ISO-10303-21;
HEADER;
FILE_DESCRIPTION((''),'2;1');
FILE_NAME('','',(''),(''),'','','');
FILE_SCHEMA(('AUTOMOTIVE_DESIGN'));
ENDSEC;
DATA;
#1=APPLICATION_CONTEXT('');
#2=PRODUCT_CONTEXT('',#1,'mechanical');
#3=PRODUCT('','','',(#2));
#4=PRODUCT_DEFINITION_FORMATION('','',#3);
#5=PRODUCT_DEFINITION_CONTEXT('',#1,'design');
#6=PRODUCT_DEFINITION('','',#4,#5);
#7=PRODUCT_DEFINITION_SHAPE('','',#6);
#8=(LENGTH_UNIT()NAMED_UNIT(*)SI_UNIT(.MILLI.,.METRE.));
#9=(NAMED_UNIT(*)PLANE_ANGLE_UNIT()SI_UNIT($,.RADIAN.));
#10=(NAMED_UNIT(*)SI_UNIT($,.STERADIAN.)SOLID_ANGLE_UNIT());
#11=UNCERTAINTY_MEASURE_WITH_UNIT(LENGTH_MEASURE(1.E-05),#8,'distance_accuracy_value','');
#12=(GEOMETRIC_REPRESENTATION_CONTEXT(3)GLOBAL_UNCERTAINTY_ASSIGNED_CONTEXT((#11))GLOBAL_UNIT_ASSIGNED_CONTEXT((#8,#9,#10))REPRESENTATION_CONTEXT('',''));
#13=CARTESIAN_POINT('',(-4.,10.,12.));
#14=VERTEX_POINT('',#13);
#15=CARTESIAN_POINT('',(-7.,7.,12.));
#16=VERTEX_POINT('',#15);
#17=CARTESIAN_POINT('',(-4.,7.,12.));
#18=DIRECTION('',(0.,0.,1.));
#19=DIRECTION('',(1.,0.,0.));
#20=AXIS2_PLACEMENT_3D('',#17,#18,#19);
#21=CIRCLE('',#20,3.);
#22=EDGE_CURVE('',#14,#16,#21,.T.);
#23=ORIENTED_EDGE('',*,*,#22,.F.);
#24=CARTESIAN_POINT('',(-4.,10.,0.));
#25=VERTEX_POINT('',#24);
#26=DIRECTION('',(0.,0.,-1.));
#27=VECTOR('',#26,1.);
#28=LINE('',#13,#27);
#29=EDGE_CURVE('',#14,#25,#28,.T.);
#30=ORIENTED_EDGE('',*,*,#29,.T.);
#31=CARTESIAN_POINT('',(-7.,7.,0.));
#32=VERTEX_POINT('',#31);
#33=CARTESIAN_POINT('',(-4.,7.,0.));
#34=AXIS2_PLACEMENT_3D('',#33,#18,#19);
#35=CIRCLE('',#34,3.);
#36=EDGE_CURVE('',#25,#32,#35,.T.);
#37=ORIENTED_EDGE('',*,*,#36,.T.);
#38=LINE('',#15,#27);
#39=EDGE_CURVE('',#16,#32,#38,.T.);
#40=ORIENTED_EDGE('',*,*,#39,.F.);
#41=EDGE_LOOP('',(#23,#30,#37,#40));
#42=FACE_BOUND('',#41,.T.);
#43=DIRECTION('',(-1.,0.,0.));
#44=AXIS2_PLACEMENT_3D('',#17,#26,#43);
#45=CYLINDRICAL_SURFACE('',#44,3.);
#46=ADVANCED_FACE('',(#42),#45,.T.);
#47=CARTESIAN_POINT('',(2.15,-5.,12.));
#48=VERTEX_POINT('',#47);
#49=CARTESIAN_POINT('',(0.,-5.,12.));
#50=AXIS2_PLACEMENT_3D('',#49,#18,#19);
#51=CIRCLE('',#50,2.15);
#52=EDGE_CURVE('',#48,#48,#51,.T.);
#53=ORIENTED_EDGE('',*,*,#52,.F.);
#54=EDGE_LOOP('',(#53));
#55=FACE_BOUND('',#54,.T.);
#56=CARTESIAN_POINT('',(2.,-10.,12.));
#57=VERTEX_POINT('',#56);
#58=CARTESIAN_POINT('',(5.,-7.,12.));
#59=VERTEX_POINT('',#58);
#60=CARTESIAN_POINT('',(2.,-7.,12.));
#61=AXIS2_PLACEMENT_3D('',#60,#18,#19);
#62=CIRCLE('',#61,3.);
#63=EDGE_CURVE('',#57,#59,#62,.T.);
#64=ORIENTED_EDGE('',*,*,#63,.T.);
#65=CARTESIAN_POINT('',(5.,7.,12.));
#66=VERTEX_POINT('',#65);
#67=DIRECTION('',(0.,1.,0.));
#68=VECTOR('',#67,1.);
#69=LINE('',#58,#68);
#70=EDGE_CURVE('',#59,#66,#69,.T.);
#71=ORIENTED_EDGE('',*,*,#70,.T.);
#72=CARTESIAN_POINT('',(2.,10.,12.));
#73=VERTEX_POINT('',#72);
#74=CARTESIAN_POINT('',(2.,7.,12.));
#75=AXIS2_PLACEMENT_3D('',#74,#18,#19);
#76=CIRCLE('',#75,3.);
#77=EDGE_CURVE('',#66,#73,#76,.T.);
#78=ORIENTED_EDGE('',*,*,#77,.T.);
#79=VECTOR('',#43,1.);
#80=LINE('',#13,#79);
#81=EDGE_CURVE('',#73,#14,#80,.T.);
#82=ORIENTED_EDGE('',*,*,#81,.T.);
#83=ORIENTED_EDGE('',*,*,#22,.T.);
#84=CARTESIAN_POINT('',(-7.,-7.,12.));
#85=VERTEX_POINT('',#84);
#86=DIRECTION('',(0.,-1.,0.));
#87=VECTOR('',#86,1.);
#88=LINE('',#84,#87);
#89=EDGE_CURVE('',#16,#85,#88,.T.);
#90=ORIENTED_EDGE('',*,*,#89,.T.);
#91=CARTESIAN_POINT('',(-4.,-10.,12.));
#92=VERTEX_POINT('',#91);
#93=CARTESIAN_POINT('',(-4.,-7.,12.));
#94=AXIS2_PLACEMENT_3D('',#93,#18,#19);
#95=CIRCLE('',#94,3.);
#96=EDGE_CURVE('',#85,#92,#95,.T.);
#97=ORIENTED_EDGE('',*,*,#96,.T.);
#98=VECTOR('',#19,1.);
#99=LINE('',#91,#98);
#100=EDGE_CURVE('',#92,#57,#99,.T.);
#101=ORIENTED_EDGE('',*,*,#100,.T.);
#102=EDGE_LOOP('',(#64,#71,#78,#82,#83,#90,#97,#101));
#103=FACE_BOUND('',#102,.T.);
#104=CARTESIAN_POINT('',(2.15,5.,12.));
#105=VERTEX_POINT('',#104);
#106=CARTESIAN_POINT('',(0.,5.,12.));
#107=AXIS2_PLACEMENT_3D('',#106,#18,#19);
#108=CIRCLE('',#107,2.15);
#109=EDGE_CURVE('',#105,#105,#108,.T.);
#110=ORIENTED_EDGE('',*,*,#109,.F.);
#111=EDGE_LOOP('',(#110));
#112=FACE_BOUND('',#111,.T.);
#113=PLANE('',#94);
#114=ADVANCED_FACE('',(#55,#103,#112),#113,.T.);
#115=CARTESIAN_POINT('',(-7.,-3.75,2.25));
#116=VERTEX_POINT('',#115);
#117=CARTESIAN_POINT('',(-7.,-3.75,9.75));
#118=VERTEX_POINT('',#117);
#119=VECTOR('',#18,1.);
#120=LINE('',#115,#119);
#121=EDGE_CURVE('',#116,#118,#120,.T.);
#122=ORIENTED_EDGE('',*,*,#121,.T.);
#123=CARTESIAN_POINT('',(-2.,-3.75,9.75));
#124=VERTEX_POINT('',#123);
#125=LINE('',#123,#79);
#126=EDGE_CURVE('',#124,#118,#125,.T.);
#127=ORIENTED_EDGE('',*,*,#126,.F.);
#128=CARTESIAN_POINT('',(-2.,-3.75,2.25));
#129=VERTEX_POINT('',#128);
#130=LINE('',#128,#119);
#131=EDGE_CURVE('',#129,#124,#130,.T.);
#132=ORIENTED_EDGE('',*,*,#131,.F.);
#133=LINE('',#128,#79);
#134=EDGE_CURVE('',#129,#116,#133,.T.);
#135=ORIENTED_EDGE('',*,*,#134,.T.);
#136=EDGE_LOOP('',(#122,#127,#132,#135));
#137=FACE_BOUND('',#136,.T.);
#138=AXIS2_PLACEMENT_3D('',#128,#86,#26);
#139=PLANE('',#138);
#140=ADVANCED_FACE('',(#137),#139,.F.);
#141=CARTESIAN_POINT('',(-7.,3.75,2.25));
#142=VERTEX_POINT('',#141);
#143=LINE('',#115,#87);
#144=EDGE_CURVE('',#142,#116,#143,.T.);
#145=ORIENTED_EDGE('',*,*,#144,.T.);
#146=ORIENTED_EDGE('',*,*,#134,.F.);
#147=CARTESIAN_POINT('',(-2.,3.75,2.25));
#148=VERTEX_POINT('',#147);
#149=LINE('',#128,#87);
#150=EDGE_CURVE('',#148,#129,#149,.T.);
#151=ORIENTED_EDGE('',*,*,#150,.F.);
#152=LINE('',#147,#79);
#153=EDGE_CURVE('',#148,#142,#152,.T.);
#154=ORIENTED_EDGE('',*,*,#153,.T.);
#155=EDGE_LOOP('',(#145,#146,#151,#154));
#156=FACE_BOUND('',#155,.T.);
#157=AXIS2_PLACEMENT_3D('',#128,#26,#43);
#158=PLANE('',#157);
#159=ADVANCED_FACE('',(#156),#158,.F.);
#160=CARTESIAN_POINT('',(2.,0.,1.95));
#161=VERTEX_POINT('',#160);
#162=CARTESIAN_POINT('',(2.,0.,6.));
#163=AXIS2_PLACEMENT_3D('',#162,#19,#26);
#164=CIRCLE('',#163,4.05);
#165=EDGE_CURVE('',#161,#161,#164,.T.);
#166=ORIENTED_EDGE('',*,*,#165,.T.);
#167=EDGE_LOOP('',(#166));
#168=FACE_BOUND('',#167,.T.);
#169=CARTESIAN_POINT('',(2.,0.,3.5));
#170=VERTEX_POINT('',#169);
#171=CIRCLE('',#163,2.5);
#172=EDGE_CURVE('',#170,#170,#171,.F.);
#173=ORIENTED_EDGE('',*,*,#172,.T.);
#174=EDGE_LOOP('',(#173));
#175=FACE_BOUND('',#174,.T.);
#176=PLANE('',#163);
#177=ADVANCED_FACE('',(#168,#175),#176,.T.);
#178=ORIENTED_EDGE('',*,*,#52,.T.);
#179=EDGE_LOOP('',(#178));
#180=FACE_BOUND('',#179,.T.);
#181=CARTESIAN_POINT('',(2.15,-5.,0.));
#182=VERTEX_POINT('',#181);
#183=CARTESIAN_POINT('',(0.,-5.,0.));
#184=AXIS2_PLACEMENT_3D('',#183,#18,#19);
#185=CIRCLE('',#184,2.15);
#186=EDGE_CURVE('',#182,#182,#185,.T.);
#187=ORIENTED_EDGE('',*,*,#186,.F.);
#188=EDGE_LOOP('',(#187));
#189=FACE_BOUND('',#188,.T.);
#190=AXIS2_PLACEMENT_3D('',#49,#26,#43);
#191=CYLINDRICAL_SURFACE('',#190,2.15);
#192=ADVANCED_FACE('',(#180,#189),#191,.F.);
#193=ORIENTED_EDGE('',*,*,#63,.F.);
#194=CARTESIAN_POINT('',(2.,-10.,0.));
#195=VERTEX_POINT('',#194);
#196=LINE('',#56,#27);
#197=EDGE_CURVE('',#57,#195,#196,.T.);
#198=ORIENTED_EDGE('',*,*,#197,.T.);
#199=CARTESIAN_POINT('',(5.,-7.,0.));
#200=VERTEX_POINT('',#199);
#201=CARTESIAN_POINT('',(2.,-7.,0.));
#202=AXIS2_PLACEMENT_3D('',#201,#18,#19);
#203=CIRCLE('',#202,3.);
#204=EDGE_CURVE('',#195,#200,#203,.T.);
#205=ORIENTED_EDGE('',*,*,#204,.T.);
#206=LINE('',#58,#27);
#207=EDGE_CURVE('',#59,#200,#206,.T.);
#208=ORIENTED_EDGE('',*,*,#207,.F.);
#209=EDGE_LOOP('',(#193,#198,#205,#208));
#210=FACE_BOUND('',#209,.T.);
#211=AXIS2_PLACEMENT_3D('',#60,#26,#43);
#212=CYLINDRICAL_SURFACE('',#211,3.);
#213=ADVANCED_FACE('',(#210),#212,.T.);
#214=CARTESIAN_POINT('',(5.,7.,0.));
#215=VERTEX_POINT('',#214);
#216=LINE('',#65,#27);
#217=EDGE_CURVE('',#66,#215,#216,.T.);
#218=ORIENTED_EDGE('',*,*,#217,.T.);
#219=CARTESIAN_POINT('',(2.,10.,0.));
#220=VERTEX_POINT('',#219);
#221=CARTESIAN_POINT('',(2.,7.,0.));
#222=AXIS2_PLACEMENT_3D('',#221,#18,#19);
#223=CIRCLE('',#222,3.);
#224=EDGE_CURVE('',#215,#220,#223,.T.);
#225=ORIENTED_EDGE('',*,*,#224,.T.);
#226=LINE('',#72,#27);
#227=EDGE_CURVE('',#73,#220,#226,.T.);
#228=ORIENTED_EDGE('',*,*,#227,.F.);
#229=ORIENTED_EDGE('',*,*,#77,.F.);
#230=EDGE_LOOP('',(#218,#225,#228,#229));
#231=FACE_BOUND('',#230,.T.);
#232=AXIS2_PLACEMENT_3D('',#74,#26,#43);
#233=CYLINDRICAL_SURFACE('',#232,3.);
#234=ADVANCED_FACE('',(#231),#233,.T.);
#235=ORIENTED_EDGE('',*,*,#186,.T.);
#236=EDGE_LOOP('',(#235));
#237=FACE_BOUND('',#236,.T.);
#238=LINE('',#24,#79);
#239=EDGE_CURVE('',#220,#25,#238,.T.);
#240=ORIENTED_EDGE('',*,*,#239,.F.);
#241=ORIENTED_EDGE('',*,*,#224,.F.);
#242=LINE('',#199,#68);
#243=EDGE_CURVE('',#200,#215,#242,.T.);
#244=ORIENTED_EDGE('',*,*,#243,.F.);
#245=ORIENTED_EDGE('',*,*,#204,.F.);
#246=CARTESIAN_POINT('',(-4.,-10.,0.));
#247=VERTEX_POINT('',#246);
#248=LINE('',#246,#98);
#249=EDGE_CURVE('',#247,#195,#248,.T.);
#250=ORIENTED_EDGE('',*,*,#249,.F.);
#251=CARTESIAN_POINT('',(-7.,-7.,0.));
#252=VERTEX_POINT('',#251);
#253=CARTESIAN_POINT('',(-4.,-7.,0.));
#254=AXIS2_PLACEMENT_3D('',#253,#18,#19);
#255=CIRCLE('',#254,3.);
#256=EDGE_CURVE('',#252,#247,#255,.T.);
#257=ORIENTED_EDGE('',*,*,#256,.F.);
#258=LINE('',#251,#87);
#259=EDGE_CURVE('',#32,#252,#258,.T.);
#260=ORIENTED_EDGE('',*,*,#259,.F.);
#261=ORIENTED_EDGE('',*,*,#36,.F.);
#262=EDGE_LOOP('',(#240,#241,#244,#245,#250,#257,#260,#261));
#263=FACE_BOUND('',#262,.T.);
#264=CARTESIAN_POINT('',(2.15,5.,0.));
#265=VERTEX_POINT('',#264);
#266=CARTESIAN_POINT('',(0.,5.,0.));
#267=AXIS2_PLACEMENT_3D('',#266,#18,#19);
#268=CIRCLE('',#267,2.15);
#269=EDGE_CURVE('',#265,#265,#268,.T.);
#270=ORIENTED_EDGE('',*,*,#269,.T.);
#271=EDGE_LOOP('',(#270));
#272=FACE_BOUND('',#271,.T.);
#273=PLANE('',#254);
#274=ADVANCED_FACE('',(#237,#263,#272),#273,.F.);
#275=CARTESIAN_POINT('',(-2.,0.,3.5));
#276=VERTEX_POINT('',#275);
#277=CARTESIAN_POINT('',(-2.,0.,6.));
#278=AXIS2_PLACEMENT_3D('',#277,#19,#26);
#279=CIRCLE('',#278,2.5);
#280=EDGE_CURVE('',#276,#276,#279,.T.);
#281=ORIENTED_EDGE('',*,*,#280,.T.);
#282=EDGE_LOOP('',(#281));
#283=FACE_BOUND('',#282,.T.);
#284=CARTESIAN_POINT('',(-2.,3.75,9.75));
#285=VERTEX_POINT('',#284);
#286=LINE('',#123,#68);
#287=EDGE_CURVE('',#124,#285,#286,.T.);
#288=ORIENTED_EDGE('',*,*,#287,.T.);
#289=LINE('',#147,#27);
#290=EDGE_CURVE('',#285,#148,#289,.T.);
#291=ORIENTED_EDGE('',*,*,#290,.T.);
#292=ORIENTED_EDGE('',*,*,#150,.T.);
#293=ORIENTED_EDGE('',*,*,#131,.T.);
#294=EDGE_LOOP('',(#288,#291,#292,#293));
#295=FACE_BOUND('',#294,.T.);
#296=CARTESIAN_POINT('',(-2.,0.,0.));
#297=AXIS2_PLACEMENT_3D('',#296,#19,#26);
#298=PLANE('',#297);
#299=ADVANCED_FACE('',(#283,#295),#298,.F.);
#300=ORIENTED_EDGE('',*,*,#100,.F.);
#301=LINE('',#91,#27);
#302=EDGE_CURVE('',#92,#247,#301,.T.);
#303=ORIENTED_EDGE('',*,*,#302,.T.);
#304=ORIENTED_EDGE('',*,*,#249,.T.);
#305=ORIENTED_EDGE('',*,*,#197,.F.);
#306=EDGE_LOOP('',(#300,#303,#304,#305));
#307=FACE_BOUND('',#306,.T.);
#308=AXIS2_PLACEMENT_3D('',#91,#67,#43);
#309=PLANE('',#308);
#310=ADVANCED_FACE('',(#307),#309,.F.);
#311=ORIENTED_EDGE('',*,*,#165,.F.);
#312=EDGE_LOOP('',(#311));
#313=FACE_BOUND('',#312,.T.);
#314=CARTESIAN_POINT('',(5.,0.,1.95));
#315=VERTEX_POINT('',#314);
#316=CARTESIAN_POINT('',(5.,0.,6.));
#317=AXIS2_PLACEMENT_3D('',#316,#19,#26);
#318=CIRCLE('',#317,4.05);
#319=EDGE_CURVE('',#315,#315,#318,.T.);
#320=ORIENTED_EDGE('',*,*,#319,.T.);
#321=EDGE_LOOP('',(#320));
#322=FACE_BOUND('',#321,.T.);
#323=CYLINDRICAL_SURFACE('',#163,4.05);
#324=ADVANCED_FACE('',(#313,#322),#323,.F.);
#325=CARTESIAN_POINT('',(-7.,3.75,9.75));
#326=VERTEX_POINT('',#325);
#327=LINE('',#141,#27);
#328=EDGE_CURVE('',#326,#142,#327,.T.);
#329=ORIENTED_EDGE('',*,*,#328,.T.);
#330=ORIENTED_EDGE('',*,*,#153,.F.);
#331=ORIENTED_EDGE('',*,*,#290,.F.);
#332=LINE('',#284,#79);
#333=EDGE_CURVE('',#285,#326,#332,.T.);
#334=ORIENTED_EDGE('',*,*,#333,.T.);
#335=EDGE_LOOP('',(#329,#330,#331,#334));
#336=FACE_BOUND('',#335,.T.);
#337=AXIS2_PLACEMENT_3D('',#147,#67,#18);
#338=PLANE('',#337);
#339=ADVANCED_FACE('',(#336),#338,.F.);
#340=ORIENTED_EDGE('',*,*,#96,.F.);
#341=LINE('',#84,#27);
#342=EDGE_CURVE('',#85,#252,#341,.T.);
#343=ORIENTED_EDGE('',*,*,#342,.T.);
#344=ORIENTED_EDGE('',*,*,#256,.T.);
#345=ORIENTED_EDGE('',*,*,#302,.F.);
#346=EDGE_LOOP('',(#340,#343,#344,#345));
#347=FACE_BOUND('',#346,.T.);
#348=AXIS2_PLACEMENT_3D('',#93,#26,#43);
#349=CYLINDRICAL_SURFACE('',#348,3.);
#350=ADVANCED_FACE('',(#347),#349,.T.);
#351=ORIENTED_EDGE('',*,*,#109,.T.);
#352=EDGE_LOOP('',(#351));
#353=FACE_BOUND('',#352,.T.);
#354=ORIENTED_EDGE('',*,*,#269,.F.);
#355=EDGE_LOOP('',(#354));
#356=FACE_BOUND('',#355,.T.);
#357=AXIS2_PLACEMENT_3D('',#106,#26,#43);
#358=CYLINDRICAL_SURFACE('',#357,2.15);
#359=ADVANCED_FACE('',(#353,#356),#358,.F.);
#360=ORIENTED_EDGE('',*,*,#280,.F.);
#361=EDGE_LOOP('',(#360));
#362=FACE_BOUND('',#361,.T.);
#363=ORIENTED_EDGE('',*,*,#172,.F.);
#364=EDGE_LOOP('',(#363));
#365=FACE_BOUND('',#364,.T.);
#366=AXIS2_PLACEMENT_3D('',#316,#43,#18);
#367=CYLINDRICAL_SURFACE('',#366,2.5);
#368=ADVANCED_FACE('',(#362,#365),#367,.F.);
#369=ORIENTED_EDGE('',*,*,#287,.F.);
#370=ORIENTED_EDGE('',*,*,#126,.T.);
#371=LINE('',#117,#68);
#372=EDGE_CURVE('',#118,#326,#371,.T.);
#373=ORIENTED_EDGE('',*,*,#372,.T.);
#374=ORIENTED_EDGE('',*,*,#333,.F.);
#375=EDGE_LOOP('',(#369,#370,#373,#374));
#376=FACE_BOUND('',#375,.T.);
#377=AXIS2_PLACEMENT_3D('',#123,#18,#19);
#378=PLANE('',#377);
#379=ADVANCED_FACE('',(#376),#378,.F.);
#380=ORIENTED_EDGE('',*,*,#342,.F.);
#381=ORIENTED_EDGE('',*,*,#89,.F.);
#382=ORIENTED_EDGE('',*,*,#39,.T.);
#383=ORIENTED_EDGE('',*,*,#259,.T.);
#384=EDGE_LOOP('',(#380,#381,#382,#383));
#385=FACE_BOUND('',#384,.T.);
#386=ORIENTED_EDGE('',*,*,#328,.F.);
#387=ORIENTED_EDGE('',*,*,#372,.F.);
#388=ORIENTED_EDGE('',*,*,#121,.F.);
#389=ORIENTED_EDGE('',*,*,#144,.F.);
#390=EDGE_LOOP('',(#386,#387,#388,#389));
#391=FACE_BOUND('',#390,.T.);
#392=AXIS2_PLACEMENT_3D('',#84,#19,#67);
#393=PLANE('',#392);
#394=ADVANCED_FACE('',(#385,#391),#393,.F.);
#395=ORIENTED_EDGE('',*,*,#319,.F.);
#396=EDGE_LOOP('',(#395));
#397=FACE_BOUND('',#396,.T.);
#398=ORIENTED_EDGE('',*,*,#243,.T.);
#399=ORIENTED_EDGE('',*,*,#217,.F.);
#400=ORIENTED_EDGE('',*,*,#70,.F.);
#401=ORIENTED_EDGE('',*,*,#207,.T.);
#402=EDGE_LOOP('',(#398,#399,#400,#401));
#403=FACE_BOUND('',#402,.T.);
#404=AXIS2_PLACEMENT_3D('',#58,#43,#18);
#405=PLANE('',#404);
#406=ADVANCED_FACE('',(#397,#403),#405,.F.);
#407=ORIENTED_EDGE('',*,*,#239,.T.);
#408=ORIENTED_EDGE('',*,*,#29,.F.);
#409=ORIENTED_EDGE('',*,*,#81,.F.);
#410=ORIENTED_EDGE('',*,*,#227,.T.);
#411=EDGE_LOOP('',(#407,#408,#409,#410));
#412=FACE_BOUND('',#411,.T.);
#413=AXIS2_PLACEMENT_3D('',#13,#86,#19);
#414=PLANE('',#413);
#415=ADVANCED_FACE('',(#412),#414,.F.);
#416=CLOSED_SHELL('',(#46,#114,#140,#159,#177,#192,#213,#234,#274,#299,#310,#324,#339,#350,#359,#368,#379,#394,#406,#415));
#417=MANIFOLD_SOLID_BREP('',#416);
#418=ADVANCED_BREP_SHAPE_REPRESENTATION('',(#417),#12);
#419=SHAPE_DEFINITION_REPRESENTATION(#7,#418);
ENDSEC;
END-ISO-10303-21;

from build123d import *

# Parameters (mm, degrees)
SKETCH1_R           = 2.15
BOSS_EXTRUDE1_DEPTH = 12
SKETCH2_W           = 7.5
SKETCH2_H           = 7.5
SKETCH2_R           = 2.5
CUT_EXTRUDE1_DEPTH  = 5
SKETCH2_2_R         = 2.5
CUT_EXTRUDE2_DEPTH  = 13
SKETCH3_R           = 4.05
CUT_EXTRUDE3_DEPTH  = 3


with BuildPart() as part:
    # Sketch1 → Boss-Extrude1 (new body)
    with BuildSketch(Plane.XY):
        with BuildLine():
            Line((-4, -10), (2, -10))
            ThreePointArc((2, -10), (4.121320344, -9.121320344), (5, -7))
            Line((5, -7), (5, 7))
            ThreePointArc((5, 7), (4.121320344, 9.121320344), (2, 10))
            Line((2, 10), (-4, 10))
            ThreePointArc((-4, 10), (-6.121320344, 9.121320344), (-7, 7))
            Line((-7, 7), (-7, -7))
            ThreePointArc((-7, -7), (-6.121320344, -9.121320344), (-4, -10))
        make_face()
        with Locations((0, 5)):
            Circle(SKETCH1_R, mode=Mode.SUBTRACT)
        with Locations((0, -5)):
            Circle(SKETCH1_R, mode=Mode.SUBTRACT)
    extrude(amount=BOSS_EXTRUDE1_DEPTH)

    # Sketch2 → Cut-Extrude1 (cut)
    with BuildSketch(Plane.ZY.offset(7)):
        with Locations((6, 0)):
            Rectangle(SKETCH2_W, SKETCH2_H)
        with Locations((6, 0)):
            Circle(SKETCH2_R, mode=Mode.SUBTRACT)
    extrude(amount=-CUT_EXTRUDE1_DEPTH, mode=Mode.SUBTRACT)

    # Sketch2<2> → Cut-Extrude2 (cut, through all)
    with BuildSketch(Plane.ZY.offset(7)):
        with Locations((6, 0)):
            Circle(SKETCH2_2_R)
    extrude(amount=-CUT_EXTRUDE2_DEPTH, mode=Mode.SUBTRACT)

    # Sketch3 → Cut-Extrude3 (cut)
    with BuildSketch(Plane(origin=(5, 0, 0), x_dir=(0, 0, -1), z_dir=(1, 0, 0))):
        with Locations((-6, 0)):
            Circle(SKETCH3_R)
    extrude(amount=-CUT_EXTRUDE3_DEPTH, mode=Mode.SUBTRACT)


solid = part.part
